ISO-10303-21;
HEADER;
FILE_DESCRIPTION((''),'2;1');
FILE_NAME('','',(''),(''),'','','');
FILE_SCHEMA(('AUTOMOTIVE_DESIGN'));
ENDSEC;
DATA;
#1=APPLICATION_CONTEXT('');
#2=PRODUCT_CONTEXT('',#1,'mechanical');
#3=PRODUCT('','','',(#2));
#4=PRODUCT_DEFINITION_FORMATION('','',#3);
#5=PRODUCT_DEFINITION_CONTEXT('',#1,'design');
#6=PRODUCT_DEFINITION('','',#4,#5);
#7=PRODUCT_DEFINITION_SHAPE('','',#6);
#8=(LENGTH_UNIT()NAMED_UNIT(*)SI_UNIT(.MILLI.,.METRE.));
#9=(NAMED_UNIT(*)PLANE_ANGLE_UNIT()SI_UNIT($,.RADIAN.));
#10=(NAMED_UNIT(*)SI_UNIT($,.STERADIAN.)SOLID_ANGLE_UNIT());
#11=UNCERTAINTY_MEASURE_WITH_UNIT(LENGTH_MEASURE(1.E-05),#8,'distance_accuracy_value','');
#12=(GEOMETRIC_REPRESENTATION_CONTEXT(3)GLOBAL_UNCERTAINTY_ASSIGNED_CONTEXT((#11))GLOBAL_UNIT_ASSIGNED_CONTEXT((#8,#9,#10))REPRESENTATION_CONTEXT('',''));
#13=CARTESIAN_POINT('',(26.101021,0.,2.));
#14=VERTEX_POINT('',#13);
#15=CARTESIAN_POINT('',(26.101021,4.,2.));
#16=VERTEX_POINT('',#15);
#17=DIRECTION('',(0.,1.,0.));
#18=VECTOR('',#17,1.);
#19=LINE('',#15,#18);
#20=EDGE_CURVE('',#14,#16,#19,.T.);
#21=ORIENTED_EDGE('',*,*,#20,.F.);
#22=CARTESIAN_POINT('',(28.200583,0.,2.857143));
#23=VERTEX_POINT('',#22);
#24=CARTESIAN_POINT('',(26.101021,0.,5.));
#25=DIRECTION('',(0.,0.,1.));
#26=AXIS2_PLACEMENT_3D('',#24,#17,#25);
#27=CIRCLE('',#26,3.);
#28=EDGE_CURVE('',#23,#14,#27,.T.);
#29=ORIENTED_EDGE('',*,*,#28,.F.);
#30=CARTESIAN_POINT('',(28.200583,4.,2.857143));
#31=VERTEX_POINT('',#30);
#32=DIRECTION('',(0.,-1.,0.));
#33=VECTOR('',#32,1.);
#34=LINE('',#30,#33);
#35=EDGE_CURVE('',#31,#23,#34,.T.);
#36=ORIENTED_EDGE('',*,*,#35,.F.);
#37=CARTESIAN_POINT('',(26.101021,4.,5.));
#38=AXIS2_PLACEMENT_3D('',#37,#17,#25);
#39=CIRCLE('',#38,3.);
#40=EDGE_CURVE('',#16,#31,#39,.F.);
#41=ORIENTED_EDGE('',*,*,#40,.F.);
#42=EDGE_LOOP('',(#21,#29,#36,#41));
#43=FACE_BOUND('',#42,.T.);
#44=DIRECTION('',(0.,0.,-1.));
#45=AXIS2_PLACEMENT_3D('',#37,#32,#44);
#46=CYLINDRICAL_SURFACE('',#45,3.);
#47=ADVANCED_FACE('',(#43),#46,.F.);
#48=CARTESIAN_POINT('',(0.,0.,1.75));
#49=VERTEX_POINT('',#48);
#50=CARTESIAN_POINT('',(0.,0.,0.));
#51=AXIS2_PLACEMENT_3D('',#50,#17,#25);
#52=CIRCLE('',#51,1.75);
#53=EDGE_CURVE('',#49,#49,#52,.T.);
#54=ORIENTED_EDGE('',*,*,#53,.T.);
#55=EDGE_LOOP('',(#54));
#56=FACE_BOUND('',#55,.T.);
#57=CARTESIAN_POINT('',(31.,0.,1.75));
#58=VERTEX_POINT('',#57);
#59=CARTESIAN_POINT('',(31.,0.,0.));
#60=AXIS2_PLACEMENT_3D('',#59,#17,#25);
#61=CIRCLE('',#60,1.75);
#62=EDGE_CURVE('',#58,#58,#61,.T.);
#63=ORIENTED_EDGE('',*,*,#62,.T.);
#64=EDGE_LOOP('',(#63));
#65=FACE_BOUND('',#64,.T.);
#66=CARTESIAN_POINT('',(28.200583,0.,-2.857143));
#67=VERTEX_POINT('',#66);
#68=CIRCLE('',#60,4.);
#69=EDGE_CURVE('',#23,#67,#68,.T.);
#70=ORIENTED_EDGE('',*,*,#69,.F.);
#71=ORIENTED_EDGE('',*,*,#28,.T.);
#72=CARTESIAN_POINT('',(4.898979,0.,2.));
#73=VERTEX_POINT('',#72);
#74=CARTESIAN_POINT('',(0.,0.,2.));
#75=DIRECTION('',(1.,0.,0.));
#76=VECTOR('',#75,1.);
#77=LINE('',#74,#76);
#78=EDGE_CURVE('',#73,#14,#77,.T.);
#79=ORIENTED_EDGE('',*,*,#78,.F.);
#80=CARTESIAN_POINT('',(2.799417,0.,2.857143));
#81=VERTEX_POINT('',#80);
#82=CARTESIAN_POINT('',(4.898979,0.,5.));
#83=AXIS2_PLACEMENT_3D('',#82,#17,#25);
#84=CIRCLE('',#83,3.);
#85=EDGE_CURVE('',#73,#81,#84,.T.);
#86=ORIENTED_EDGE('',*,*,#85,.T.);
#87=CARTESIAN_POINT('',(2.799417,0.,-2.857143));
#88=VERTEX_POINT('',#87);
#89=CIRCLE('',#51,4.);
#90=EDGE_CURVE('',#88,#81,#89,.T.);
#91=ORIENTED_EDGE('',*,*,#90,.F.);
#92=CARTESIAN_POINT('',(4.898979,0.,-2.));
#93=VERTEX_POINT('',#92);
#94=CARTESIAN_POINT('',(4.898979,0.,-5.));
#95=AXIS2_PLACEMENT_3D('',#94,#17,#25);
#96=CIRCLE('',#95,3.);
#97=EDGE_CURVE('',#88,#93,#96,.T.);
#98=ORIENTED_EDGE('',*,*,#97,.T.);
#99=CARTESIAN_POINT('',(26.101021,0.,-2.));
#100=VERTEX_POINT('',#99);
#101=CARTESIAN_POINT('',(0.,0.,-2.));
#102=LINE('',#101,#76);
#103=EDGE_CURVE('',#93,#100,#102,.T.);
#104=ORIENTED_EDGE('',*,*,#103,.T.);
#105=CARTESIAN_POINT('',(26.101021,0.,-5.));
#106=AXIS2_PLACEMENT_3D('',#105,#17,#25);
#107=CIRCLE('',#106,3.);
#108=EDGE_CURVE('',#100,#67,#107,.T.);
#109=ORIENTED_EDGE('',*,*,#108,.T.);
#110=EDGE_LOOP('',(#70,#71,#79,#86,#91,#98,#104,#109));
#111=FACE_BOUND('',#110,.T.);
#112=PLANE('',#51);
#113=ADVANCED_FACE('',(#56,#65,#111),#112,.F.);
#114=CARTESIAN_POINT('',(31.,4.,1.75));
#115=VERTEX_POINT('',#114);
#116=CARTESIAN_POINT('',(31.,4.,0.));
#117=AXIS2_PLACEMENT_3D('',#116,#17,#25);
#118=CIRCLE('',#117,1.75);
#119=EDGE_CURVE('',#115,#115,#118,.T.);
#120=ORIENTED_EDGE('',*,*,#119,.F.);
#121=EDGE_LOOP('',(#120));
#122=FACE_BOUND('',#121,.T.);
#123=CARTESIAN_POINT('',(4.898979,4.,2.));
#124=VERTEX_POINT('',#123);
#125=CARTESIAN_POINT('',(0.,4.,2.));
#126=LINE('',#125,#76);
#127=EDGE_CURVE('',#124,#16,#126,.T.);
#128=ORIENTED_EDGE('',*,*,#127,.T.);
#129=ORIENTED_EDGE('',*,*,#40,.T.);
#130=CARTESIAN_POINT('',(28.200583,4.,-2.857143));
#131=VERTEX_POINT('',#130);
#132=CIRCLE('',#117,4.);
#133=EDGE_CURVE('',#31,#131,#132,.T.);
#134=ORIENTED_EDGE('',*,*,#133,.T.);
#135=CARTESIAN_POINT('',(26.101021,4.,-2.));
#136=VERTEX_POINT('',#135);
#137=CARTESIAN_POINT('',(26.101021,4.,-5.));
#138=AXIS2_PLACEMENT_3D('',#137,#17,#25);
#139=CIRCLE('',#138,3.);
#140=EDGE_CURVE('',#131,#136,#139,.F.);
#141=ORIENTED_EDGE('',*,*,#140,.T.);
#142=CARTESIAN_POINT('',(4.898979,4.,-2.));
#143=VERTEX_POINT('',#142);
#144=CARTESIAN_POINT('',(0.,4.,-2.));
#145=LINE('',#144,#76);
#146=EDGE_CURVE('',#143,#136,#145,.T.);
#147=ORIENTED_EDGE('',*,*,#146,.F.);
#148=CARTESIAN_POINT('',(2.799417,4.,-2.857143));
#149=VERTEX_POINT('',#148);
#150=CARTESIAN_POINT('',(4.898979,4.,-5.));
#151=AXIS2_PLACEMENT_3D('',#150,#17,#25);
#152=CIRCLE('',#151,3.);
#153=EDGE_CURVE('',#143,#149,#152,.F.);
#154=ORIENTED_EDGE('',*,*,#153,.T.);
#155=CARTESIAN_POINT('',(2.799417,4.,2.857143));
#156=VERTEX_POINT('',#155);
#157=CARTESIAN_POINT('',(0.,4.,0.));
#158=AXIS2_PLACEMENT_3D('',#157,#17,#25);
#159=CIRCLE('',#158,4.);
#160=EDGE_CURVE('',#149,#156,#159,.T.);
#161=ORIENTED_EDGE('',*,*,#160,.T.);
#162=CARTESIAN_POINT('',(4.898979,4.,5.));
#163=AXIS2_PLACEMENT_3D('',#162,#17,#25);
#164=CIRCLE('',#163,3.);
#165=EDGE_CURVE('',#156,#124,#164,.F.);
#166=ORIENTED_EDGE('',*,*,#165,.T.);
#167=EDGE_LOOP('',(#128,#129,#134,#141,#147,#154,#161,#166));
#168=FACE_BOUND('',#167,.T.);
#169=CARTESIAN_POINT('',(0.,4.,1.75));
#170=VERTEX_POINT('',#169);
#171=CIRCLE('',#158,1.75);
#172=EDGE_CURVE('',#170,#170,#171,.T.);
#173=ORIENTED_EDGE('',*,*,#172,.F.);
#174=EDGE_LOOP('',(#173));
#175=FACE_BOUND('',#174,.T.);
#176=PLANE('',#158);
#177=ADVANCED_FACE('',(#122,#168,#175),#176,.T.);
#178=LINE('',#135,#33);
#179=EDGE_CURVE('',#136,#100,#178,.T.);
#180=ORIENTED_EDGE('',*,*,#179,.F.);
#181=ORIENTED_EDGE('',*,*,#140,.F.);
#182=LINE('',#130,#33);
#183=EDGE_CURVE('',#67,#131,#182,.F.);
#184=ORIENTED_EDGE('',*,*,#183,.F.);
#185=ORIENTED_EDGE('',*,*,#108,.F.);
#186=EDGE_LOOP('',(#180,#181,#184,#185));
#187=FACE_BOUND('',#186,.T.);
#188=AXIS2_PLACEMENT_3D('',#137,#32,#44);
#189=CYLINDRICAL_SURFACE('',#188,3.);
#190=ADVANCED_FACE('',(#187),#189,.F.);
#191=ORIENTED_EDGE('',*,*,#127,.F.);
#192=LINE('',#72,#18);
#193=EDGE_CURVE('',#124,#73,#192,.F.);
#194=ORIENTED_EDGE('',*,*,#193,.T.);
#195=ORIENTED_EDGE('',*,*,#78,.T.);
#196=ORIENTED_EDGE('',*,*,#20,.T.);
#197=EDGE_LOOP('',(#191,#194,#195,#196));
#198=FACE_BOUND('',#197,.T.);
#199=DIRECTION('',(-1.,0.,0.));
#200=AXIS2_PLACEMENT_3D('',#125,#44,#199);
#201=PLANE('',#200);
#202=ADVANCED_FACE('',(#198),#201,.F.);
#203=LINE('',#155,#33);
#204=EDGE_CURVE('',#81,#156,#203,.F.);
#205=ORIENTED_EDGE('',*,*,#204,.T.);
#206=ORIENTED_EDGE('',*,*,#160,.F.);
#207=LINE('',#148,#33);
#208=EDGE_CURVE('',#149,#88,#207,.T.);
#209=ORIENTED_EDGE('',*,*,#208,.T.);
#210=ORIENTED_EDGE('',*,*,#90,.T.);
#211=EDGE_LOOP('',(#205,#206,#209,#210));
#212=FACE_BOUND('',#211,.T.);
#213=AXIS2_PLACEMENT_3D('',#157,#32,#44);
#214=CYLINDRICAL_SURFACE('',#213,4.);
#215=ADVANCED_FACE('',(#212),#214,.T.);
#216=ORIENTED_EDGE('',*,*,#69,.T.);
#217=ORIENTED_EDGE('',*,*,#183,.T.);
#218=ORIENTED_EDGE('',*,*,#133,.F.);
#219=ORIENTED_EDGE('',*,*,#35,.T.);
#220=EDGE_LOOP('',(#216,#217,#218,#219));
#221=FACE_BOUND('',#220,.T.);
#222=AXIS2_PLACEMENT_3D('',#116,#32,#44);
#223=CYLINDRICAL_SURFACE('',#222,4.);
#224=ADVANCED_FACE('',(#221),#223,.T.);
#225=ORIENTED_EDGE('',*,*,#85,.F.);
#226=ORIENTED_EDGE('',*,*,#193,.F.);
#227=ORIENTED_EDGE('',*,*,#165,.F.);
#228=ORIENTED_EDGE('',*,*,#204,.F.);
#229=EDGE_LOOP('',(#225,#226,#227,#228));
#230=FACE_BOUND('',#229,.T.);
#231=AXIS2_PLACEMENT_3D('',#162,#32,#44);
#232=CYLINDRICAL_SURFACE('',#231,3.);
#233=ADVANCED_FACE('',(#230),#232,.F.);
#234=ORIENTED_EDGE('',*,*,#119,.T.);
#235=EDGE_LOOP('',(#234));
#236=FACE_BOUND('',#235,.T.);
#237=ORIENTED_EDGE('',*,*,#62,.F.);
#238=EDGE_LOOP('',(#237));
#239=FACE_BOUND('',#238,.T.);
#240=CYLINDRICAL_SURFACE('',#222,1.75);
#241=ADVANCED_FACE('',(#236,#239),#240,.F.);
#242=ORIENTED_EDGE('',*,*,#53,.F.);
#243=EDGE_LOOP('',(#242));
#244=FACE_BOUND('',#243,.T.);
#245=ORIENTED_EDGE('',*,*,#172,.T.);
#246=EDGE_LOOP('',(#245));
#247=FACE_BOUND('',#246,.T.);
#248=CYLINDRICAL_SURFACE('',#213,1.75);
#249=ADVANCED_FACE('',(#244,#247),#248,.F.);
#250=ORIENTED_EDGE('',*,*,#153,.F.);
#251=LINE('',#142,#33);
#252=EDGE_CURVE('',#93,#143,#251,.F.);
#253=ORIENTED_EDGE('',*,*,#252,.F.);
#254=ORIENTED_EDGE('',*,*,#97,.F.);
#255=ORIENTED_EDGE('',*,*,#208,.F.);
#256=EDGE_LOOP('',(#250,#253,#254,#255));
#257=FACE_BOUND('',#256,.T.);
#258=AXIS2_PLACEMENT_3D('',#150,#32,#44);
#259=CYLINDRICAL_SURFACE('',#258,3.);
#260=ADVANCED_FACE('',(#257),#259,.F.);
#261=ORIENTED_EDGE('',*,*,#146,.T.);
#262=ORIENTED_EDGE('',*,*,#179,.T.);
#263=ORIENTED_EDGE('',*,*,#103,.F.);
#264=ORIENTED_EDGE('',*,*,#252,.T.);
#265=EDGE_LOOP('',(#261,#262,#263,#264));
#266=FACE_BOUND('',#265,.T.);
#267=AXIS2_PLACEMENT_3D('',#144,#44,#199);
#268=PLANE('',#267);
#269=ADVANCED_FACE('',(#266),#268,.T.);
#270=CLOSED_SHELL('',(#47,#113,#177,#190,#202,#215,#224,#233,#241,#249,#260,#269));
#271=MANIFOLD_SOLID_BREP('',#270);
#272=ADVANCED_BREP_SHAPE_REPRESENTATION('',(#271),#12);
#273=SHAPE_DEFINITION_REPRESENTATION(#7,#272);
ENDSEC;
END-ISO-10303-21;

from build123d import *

# Parameters (mm, degrees)
SKETCH1_R           = 1.75
BOSS_EXTRUDE1_DEPTH = 4
FILLET1_R           = 3


with BuildPart() as part:
    # Sketch1 → Boss-Extrude1 (new body)
    with BuildSketch(Plane(origin=(0, 0, 0), x_dir=(1, 0, 0), z_dir=(0, 1, 0))):
        with BuildLine():
            Line((27.535898385, 2), (3.464101615, 2))
            ThreePointArc((3.464101615, 2), (-4, 0), (3.464101615, -2))
            Line((3.464101615, -2), (27.535898385, -2))
            ThreePointArc((27.535898385, -2), (35, 0), (27.535898385, 2))
        make_face()
        Circle(SKETCH1_R, mode=Mode.SUBTRACT)
        with Locations((31, 0)):
            Circle(SKETCH1_R, mode=Mode.SUBTRACT)
    extrude(amount=BOSS_EXTRUDE1_DEPTH)

    # Fillet1
    fillet1_edges = [part.edges().sort_by_distance(p)[0] for p in [
        (27.535898385, 2, 2),
        (3.464101615, 2, 2),
        (3.464101615, 2, -2),
        (27.535898385, 2, -2),
    ]]
    fillet(fillet1_edges, radius=FILLET1_R)


solid = part.part
